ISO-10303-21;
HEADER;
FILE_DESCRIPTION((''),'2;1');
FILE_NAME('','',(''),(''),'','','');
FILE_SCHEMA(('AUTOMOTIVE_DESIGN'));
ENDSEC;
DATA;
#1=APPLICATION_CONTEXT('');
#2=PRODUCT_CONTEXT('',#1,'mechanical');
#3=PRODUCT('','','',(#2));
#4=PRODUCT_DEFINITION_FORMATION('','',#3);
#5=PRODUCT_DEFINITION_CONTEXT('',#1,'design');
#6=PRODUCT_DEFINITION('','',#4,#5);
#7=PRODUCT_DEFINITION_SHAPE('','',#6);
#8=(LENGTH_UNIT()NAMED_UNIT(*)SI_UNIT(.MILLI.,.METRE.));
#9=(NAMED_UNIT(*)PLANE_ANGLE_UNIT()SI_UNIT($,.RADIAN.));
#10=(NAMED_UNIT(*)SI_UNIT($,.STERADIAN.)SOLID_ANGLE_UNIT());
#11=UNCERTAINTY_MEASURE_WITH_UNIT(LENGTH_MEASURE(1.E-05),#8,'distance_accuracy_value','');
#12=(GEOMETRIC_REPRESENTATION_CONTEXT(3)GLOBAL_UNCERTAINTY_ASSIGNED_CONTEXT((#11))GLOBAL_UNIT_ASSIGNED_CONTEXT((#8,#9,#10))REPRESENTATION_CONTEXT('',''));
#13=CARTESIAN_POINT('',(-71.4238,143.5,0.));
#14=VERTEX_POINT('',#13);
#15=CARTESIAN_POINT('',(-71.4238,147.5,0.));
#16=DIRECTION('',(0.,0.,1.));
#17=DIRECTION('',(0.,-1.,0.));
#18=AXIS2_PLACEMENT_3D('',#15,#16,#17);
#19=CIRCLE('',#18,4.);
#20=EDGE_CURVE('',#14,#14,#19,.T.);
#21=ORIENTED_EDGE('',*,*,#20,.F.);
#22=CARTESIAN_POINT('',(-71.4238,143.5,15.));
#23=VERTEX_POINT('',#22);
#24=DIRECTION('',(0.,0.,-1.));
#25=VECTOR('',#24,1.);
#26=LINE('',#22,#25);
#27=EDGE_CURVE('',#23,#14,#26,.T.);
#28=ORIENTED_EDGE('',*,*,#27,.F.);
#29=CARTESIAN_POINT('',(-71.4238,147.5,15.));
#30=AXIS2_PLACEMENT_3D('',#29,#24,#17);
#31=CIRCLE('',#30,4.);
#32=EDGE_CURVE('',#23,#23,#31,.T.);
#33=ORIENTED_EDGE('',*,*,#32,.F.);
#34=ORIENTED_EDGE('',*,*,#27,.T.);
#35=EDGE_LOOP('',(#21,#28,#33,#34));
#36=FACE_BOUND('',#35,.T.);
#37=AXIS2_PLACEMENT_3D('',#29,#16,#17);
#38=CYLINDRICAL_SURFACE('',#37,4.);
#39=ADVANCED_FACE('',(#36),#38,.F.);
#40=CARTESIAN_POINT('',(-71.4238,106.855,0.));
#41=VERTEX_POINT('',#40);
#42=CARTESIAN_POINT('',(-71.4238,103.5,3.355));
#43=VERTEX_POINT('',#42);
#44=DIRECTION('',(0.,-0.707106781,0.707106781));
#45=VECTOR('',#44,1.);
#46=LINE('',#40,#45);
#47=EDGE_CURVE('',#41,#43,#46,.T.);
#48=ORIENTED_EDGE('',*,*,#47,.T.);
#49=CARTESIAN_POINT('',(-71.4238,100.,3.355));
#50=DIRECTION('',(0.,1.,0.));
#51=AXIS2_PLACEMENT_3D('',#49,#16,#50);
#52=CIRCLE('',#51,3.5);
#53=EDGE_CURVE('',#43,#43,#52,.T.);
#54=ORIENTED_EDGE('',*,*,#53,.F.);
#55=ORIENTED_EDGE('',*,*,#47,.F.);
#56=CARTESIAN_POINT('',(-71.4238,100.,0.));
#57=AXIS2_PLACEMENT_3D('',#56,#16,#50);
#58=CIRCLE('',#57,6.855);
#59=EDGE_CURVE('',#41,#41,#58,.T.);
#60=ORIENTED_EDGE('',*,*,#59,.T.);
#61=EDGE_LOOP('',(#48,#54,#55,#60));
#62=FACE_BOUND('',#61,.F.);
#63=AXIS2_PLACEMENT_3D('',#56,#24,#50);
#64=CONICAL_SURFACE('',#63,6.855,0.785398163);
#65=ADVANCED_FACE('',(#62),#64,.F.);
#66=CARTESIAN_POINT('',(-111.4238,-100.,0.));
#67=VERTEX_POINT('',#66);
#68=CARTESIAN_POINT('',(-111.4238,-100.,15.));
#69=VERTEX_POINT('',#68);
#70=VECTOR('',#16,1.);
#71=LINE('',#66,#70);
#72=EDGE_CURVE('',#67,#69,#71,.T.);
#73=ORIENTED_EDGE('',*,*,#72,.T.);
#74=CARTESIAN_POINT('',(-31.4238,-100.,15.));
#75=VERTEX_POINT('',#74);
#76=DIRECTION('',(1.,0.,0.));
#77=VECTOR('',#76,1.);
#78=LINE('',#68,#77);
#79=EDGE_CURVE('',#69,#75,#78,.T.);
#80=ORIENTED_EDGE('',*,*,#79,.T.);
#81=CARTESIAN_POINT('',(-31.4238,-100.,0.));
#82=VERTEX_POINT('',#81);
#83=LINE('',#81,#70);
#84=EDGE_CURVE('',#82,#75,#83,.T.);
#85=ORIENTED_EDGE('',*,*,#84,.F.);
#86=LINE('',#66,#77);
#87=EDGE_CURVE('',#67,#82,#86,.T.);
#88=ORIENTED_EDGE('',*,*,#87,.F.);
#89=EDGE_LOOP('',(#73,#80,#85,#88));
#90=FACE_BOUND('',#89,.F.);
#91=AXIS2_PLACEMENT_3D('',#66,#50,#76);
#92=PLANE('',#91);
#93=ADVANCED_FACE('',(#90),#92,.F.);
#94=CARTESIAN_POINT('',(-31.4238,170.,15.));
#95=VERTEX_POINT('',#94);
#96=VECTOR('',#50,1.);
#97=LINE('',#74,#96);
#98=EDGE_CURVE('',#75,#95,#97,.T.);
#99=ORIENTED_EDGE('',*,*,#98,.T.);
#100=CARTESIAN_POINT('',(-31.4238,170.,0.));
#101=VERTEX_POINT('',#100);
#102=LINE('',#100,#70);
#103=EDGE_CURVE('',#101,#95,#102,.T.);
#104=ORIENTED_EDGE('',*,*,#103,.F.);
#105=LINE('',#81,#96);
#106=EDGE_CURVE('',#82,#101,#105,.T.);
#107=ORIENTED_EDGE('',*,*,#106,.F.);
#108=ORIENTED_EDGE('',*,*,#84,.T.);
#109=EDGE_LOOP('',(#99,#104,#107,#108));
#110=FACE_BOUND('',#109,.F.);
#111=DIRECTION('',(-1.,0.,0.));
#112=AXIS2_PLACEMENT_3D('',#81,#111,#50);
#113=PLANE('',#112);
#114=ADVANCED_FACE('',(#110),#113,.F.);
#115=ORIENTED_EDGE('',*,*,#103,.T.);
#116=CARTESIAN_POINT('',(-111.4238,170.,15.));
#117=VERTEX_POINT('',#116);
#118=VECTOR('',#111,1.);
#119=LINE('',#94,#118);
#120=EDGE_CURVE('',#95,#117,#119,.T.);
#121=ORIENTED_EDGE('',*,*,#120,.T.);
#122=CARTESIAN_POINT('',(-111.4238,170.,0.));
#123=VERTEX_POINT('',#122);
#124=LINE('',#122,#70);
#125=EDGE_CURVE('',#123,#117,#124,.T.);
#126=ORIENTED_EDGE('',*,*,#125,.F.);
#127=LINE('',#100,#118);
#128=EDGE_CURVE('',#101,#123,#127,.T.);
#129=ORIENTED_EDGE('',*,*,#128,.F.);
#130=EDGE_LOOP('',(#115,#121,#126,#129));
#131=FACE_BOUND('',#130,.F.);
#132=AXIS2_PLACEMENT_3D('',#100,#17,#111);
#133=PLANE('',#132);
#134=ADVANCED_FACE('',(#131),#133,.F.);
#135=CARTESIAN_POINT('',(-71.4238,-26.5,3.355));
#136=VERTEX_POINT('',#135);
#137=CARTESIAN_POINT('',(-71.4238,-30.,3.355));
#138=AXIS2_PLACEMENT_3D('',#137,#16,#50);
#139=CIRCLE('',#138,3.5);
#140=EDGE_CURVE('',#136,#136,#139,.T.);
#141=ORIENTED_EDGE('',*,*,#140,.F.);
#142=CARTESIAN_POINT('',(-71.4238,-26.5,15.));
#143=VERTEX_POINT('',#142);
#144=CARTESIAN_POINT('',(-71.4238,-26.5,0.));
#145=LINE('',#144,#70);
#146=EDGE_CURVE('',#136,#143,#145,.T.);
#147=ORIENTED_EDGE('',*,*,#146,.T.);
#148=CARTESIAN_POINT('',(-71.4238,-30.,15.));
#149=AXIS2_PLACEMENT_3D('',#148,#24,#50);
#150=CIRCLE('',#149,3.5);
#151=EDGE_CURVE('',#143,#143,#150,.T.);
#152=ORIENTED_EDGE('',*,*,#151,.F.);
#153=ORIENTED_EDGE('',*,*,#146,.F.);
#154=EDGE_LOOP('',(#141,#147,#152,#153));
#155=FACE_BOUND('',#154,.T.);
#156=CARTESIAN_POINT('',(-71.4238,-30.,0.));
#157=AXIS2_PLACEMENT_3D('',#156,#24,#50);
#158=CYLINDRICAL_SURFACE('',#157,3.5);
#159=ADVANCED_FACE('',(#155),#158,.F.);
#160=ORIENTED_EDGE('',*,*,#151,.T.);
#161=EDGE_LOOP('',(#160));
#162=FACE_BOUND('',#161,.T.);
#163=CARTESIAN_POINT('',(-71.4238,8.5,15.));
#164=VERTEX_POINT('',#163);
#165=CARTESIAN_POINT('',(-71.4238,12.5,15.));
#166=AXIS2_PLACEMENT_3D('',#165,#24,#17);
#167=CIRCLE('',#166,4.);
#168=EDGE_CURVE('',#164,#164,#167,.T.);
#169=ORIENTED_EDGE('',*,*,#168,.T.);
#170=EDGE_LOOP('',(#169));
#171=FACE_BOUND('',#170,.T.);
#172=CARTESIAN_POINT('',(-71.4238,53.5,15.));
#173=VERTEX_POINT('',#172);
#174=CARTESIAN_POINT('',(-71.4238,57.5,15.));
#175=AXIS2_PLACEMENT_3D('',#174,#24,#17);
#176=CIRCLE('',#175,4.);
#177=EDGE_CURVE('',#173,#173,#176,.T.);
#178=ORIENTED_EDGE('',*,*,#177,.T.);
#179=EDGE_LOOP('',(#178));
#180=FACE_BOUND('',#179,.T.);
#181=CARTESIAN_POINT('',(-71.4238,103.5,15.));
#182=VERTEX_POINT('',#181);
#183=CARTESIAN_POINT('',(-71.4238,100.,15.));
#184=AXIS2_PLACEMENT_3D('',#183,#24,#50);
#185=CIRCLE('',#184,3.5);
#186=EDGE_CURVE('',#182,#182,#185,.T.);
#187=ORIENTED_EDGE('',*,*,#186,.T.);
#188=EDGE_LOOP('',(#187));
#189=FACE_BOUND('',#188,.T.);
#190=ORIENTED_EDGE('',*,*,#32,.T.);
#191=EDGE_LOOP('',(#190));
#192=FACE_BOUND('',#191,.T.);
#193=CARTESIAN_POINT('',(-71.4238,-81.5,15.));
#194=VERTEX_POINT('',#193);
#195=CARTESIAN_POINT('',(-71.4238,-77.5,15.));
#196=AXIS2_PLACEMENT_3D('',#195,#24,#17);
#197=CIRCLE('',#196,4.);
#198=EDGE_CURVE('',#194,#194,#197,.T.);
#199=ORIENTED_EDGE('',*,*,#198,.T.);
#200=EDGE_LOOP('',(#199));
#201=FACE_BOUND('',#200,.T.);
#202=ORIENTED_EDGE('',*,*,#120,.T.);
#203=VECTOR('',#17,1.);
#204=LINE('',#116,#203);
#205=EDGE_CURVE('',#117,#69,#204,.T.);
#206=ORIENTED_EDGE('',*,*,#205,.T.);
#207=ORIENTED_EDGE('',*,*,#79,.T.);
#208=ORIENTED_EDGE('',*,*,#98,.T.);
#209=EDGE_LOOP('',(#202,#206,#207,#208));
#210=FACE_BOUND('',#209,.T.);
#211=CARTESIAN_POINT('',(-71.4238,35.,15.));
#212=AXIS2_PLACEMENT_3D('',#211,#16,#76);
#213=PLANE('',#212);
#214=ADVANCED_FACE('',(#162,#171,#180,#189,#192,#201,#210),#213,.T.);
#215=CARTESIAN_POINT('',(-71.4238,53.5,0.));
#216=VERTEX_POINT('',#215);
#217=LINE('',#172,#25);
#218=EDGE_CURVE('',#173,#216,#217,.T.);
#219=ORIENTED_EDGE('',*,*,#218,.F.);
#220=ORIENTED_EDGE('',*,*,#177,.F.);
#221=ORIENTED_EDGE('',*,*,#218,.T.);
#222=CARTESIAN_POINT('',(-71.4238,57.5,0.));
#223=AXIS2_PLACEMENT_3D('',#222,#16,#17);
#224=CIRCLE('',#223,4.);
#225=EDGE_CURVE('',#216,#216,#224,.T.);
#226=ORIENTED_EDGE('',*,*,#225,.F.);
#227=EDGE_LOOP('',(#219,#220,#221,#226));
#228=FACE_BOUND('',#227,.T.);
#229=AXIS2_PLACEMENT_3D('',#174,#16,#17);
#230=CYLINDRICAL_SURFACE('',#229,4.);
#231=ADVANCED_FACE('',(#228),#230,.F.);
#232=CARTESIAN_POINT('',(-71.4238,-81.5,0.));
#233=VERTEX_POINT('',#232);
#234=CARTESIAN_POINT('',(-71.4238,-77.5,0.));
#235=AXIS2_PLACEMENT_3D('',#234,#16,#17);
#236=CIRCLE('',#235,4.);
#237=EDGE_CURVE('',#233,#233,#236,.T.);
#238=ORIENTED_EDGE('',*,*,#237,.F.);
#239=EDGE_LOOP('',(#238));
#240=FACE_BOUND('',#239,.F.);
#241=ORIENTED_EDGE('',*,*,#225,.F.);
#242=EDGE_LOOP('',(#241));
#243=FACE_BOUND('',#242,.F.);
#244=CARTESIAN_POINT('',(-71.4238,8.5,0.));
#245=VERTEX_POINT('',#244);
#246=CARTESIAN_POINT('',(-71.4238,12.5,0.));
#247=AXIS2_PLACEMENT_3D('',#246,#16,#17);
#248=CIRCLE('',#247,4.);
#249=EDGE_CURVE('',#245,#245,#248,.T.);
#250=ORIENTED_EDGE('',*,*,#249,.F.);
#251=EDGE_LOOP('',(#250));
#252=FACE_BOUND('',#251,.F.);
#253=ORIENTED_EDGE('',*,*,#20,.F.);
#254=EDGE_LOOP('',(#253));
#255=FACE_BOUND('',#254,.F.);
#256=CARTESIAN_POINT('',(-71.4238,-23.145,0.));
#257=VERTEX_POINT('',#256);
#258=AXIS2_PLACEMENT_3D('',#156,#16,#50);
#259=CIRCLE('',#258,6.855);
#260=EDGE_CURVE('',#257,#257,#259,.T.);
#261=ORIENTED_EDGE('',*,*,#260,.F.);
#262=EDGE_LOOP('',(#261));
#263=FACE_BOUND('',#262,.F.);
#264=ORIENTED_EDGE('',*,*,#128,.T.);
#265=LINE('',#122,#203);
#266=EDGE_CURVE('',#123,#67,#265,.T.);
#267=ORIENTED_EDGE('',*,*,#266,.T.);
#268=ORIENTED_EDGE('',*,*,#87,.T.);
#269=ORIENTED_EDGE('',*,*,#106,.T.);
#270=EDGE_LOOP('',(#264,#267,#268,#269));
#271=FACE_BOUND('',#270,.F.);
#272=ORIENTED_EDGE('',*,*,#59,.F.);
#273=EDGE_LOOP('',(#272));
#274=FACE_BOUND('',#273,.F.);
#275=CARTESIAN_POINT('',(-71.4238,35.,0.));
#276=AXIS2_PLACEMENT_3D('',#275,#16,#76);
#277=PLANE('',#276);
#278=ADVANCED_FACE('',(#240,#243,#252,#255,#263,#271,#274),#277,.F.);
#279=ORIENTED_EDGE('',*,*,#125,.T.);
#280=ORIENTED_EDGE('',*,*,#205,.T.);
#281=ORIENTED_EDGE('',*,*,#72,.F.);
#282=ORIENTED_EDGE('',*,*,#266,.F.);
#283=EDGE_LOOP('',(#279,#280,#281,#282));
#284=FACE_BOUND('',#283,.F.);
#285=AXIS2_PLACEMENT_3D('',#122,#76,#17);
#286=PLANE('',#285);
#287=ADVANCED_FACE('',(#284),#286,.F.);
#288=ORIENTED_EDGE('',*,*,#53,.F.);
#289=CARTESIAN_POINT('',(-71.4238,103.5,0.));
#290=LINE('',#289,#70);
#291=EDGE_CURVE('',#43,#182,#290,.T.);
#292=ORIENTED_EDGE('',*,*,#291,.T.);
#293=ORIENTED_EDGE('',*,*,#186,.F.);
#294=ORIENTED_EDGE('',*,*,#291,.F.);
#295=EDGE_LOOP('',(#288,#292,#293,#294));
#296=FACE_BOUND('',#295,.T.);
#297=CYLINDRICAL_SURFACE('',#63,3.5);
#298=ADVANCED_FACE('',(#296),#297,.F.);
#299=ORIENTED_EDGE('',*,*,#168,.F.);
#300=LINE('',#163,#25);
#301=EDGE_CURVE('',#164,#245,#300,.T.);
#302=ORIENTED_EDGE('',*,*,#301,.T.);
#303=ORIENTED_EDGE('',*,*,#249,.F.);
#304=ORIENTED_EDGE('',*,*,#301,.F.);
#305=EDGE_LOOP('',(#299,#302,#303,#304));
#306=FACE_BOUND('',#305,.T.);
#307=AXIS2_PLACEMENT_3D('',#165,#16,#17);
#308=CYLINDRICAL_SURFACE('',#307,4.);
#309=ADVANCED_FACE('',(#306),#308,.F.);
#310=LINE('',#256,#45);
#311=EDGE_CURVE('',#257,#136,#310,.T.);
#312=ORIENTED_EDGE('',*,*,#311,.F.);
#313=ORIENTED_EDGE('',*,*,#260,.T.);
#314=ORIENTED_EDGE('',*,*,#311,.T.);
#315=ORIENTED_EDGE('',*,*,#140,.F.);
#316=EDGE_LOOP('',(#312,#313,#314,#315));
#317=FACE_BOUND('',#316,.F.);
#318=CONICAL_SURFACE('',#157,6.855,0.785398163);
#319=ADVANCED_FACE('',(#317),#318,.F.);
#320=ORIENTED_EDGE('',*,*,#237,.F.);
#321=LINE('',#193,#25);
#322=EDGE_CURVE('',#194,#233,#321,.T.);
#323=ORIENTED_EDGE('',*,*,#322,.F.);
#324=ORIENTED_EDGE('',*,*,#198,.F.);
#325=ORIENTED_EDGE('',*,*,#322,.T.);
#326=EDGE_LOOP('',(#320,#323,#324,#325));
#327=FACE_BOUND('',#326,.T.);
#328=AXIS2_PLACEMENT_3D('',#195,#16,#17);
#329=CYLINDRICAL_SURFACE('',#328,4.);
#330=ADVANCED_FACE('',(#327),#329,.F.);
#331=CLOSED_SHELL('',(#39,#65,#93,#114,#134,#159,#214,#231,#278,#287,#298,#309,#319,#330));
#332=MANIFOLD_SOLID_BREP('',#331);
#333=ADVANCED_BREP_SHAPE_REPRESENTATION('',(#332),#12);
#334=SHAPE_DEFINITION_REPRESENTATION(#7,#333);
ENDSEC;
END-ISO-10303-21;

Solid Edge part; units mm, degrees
sketch "Sketch1" plane through (0, 0, 0) normal (0, 0, 1) x (1, 0, 0)
  line L0 (-111.4238, -100) -> (-31.4238, -100)
  line L1 (-31.4238, -100) -> (-31.4238, 170)
  line L2 (-31.4238, 170) -> (-111.4238, 170)
  line L3 (-111.4238, 170) -> (-111.4238, -100)
  dimension "D1" = 80
  dimension "D2" = 270
extrude "Protrusion1" add sketch "Sketch1" along normal blind 15
hole "Agujero_1" at (-71.4238, 100, 0) direction (0, 0, 1) diameter 7 end up to next countersink diameter 13.71 countersink angle 90
hole "Hole1" at (-71.4238, -30, 0) direction (0, 0, 1) diameter 7 end up to next countersink diameter 13.71 countersink angle 90
hole "Agujero_5" at (-71.4238, -77.5, 15) direction (0, 0, -1) diameter 8 end up to next
hole "Hole2" at (-71.4238, 12.5, 15) direction (0, 0, -1) diameter 8 end up to next
hole "Hole3" at (-71.4238, 57.5, 15) direction (0, 0, -1) diameter 8 end up to next
hole "Hole4" at (-71.4238, 147.5, 15) direction (0, 0, -1) diameter 8 end up to next
properties part number "1983-1100-001"
